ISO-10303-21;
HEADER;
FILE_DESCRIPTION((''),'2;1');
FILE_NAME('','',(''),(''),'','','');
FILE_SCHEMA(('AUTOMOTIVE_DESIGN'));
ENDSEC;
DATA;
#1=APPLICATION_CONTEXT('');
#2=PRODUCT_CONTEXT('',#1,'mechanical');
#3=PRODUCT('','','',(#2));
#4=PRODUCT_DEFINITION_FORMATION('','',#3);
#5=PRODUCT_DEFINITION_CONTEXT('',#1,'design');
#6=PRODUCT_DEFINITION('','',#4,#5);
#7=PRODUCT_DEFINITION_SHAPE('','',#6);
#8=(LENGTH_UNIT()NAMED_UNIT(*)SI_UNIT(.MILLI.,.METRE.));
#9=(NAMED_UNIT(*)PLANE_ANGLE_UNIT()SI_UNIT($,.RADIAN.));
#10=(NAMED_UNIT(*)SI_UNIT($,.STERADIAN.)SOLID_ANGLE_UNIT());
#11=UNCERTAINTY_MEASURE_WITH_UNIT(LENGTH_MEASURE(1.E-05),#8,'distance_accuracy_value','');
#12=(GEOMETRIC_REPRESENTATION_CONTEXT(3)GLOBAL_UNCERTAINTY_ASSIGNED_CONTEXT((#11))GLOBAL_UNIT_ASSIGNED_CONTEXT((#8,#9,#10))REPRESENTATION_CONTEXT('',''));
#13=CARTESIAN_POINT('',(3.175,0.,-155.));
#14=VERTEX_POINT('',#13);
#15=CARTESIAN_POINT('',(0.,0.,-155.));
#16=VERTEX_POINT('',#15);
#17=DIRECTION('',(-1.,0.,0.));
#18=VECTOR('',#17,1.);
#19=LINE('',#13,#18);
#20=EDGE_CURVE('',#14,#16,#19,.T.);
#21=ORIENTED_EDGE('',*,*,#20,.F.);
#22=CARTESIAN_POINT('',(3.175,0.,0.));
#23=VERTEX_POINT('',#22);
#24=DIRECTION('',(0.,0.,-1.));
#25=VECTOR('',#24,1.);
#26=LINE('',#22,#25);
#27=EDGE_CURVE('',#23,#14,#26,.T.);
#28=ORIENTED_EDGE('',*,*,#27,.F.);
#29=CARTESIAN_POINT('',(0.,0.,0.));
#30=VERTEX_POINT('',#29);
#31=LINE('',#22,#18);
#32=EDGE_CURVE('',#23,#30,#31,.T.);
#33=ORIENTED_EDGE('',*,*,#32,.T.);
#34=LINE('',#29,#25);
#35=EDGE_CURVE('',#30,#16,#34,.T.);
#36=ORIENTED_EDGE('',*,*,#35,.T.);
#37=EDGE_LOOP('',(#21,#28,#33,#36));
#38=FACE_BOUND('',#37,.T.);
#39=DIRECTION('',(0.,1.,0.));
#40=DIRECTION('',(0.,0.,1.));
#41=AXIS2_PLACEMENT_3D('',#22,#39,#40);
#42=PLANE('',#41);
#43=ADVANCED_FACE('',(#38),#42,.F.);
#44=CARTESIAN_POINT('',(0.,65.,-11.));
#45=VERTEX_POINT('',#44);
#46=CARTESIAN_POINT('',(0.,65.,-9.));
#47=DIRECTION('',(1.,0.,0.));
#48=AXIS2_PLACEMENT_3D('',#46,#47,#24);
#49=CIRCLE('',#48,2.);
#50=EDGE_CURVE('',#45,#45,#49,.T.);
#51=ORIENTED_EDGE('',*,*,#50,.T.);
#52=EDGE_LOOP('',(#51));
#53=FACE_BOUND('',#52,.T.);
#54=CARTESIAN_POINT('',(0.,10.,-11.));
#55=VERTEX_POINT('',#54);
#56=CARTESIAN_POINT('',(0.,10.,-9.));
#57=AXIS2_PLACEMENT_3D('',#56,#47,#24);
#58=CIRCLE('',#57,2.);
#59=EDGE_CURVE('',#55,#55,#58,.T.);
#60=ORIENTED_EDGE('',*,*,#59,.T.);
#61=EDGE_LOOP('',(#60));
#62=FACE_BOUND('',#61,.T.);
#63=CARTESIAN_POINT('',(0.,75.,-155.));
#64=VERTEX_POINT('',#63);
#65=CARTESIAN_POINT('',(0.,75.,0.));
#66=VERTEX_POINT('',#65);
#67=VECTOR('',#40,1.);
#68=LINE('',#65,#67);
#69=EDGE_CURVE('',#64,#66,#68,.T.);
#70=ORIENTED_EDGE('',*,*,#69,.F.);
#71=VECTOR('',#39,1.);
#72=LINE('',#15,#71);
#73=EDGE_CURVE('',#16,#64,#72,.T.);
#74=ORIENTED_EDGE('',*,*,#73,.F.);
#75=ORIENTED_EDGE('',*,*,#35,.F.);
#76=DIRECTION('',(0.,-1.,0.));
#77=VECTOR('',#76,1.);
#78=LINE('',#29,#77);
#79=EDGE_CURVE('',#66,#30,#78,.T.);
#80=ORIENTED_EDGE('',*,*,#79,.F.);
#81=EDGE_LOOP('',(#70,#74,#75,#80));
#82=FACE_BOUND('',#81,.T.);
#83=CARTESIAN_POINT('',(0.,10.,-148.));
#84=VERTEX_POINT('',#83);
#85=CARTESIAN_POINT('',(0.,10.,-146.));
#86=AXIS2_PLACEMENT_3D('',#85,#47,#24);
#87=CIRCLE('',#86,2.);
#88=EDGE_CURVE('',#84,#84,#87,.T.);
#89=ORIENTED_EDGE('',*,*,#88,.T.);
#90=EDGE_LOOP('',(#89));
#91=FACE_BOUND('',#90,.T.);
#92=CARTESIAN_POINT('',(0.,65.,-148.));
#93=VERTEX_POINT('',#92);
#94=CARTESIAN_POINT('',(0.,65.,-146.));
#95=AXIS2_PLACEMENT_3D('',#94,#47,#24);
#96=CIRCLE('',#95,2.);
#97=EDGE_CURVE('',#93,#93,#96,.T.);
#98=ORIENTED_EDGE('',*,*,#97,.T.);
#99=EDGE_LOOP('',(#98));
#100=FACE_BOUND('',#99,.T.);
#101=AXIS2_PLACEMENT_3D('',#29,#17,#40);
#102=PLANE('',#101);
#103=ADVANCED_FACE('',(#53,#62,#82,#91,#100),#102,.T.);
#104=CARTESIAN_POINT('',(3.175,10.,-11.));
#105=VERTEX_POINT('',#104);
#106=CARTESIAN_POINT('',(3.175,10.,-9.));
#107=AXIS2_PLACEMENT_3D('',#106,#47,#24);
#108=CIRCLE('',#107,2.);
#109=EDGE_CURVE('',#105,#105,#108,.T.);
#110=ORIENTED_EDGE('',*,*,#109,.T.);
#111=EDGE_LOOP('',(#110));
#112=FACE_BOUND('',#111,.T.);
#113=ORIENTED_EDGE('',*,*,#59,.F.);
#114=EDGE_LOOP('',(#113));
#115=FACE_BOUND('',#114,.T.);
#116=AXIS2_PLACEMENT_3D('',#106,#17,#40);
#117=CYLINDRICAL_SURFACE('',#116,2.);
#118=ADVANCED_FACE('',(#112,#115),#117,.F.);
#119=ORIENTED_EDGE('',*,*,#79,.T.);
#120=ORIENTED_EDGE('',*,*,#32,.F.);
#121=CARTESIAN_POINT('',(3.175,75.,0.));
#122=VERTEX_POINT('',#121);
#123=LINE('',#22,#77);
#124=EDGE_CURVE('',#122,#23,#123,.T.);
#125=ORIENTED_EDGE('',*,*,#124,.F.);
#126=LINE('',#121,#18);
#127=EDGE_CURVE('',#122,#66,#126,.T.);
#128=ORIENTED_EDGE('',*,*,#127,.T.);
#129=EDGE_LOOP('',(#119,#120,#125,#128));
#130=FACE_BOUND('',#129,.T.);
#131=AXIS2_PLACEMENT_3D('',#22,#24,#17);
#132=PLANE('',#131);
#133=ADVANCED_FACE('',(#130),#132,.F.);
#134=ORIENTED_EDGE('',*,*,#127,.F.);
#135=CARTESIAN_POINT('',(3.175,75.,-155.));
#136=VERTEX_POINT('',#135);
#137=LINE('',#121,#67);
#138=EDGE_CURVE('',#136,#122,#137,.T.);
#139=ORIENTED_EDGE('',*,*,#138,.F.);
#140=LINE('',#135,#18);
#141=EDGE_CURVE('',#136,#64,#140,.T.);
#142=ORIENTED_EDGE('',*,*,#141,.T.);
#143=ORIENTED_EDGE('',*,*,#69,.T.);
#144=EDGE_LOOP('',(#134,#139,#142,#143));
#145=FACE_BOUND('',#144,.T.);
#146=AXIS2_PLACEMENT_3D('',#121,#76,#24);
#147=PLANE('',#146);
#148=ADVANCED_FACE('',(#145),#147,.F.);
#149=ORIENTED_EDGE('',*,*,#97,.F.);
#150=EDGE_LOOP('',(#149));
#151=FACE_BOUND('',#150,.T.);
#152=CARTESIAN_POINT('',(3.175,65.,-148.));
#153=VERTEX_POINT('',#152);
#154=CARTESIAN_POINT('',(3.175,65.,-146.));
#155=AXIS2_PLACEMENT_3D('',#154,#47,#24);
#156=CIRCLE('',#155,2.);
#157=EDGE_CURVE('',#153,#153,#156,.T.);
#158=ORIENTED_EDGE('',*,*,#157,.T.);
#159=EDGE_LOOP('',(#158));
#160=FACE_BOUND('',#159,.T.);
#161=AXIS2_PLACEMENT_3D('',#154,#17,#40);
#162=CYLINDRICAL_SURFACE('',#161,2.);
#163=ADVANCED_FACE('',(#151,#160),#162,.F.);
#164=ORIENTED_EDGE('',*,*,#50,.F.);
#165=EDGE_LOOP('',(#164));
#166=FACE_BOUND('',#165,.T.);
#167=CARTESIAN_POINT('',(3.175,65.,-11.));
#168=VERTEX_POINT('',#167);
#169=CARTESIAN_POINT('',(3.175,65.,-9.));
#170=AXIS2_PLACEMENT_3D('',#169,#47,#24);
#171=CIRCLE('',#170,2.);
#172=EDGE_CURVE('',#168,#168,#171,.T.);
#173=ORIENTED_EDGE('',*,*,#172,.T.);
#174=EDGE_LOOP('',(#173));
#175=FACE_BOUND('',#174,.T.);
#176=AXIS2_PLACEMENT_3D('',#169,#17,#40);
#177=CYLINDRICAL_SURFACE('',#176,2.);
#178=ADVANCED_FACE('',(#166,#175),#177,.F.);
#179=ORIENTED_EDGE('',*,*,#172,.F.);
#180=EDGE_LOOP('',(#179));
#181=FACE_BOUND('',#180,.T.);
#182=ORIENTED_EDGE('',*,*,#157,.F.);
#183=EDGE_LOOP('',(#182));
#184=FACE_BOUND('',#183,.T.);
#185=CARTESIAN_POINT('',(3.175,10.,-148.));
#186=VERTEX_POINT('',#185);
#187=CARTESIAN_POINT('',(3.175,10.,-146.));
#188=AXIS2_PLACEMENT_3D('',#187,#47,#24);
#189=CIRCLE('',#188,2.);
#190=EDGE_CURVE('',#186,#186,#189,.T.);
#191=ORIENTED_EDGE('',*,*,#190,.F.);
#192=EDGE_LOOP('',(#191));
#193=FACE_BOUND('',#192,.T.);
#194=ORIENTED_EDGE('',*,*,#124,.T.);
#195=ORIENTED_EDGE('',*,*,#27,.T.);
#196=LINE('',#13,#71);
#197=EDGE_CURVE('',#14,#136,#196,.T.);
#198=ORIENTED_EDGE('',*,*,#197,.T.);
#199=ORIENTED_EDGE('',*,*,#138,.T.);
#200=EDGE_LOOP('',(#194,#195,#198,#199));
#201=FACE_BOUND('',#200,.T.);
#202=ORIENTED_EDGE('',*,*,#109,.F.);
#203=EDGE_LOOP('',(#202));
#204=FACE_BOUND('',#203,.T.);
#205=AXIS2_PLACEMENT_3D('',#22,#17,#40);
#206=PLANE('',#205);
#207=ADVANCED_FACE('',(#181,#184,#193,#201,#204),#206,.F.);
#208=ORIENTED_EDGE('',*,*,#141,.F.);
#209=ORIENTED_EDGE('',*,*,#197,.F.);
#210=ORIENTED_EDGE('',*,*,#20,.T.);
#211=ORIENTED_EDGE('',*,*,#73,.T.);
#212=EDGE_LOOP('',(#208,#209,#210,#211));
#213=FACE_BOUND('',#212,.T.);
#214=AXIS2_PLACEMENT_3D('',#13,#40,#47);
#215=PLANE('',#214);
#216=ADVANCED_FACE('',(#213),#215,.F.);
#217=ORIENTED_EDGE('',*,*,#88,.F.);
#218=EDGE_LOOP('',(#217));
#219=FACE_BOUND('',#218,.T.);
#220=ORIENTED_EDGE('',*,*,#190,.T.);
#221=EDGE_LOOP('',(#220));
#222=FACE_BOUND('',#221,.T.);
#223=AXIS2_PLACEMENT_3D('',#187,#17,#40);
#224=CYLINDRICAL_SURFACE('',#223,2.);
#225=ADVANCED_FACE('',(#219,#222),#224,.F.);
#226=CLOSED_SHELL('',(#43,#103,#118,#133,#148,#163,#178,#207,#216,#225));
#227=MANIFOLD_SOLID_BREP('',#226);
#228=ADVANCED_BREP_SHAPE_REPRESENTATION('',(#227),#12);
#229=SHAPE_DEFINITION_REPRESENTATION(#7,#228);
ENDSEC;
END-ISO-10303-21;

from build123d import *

# Parameters (mm, degrees)
SKETCH3_W           = 155
SKETCH3_H           = 75
SKETCH3_R           = 2
BOSS_EXTRUDE1_DEPTH = 3.175


with BuildPart() as part:
    # Sketch3 → Boss-Extrude1 (new body)
    with BuildSketch(Plane(origin=(0, 0, 0), x_dir=(0, 0, -1), z_dir=(1, 0, 0))):
        with Locations((77.5, 37.5)):
            Rectangle(SKETCH3_W, SKETCH3_H)
        with Locations((9, 10)):
            Circle(SKETCH3_R, mode=Mode.SUBTRACT)
        with Locations((146, 10)):
            Circle(SKETCH3_R, mode=Mode.SUBTRACT)
        with Locations((146, 65)):
            Circle(SKETCH3_R, mode=Mode.SUBTRACT)
        with Locations((9, 65)):
            Circle(SKETCH3_R, mode=Mode.SUBTRACT)
    extrude(amount=BOSS_EXTRUDE1_DEPTH)


solid = part.part
